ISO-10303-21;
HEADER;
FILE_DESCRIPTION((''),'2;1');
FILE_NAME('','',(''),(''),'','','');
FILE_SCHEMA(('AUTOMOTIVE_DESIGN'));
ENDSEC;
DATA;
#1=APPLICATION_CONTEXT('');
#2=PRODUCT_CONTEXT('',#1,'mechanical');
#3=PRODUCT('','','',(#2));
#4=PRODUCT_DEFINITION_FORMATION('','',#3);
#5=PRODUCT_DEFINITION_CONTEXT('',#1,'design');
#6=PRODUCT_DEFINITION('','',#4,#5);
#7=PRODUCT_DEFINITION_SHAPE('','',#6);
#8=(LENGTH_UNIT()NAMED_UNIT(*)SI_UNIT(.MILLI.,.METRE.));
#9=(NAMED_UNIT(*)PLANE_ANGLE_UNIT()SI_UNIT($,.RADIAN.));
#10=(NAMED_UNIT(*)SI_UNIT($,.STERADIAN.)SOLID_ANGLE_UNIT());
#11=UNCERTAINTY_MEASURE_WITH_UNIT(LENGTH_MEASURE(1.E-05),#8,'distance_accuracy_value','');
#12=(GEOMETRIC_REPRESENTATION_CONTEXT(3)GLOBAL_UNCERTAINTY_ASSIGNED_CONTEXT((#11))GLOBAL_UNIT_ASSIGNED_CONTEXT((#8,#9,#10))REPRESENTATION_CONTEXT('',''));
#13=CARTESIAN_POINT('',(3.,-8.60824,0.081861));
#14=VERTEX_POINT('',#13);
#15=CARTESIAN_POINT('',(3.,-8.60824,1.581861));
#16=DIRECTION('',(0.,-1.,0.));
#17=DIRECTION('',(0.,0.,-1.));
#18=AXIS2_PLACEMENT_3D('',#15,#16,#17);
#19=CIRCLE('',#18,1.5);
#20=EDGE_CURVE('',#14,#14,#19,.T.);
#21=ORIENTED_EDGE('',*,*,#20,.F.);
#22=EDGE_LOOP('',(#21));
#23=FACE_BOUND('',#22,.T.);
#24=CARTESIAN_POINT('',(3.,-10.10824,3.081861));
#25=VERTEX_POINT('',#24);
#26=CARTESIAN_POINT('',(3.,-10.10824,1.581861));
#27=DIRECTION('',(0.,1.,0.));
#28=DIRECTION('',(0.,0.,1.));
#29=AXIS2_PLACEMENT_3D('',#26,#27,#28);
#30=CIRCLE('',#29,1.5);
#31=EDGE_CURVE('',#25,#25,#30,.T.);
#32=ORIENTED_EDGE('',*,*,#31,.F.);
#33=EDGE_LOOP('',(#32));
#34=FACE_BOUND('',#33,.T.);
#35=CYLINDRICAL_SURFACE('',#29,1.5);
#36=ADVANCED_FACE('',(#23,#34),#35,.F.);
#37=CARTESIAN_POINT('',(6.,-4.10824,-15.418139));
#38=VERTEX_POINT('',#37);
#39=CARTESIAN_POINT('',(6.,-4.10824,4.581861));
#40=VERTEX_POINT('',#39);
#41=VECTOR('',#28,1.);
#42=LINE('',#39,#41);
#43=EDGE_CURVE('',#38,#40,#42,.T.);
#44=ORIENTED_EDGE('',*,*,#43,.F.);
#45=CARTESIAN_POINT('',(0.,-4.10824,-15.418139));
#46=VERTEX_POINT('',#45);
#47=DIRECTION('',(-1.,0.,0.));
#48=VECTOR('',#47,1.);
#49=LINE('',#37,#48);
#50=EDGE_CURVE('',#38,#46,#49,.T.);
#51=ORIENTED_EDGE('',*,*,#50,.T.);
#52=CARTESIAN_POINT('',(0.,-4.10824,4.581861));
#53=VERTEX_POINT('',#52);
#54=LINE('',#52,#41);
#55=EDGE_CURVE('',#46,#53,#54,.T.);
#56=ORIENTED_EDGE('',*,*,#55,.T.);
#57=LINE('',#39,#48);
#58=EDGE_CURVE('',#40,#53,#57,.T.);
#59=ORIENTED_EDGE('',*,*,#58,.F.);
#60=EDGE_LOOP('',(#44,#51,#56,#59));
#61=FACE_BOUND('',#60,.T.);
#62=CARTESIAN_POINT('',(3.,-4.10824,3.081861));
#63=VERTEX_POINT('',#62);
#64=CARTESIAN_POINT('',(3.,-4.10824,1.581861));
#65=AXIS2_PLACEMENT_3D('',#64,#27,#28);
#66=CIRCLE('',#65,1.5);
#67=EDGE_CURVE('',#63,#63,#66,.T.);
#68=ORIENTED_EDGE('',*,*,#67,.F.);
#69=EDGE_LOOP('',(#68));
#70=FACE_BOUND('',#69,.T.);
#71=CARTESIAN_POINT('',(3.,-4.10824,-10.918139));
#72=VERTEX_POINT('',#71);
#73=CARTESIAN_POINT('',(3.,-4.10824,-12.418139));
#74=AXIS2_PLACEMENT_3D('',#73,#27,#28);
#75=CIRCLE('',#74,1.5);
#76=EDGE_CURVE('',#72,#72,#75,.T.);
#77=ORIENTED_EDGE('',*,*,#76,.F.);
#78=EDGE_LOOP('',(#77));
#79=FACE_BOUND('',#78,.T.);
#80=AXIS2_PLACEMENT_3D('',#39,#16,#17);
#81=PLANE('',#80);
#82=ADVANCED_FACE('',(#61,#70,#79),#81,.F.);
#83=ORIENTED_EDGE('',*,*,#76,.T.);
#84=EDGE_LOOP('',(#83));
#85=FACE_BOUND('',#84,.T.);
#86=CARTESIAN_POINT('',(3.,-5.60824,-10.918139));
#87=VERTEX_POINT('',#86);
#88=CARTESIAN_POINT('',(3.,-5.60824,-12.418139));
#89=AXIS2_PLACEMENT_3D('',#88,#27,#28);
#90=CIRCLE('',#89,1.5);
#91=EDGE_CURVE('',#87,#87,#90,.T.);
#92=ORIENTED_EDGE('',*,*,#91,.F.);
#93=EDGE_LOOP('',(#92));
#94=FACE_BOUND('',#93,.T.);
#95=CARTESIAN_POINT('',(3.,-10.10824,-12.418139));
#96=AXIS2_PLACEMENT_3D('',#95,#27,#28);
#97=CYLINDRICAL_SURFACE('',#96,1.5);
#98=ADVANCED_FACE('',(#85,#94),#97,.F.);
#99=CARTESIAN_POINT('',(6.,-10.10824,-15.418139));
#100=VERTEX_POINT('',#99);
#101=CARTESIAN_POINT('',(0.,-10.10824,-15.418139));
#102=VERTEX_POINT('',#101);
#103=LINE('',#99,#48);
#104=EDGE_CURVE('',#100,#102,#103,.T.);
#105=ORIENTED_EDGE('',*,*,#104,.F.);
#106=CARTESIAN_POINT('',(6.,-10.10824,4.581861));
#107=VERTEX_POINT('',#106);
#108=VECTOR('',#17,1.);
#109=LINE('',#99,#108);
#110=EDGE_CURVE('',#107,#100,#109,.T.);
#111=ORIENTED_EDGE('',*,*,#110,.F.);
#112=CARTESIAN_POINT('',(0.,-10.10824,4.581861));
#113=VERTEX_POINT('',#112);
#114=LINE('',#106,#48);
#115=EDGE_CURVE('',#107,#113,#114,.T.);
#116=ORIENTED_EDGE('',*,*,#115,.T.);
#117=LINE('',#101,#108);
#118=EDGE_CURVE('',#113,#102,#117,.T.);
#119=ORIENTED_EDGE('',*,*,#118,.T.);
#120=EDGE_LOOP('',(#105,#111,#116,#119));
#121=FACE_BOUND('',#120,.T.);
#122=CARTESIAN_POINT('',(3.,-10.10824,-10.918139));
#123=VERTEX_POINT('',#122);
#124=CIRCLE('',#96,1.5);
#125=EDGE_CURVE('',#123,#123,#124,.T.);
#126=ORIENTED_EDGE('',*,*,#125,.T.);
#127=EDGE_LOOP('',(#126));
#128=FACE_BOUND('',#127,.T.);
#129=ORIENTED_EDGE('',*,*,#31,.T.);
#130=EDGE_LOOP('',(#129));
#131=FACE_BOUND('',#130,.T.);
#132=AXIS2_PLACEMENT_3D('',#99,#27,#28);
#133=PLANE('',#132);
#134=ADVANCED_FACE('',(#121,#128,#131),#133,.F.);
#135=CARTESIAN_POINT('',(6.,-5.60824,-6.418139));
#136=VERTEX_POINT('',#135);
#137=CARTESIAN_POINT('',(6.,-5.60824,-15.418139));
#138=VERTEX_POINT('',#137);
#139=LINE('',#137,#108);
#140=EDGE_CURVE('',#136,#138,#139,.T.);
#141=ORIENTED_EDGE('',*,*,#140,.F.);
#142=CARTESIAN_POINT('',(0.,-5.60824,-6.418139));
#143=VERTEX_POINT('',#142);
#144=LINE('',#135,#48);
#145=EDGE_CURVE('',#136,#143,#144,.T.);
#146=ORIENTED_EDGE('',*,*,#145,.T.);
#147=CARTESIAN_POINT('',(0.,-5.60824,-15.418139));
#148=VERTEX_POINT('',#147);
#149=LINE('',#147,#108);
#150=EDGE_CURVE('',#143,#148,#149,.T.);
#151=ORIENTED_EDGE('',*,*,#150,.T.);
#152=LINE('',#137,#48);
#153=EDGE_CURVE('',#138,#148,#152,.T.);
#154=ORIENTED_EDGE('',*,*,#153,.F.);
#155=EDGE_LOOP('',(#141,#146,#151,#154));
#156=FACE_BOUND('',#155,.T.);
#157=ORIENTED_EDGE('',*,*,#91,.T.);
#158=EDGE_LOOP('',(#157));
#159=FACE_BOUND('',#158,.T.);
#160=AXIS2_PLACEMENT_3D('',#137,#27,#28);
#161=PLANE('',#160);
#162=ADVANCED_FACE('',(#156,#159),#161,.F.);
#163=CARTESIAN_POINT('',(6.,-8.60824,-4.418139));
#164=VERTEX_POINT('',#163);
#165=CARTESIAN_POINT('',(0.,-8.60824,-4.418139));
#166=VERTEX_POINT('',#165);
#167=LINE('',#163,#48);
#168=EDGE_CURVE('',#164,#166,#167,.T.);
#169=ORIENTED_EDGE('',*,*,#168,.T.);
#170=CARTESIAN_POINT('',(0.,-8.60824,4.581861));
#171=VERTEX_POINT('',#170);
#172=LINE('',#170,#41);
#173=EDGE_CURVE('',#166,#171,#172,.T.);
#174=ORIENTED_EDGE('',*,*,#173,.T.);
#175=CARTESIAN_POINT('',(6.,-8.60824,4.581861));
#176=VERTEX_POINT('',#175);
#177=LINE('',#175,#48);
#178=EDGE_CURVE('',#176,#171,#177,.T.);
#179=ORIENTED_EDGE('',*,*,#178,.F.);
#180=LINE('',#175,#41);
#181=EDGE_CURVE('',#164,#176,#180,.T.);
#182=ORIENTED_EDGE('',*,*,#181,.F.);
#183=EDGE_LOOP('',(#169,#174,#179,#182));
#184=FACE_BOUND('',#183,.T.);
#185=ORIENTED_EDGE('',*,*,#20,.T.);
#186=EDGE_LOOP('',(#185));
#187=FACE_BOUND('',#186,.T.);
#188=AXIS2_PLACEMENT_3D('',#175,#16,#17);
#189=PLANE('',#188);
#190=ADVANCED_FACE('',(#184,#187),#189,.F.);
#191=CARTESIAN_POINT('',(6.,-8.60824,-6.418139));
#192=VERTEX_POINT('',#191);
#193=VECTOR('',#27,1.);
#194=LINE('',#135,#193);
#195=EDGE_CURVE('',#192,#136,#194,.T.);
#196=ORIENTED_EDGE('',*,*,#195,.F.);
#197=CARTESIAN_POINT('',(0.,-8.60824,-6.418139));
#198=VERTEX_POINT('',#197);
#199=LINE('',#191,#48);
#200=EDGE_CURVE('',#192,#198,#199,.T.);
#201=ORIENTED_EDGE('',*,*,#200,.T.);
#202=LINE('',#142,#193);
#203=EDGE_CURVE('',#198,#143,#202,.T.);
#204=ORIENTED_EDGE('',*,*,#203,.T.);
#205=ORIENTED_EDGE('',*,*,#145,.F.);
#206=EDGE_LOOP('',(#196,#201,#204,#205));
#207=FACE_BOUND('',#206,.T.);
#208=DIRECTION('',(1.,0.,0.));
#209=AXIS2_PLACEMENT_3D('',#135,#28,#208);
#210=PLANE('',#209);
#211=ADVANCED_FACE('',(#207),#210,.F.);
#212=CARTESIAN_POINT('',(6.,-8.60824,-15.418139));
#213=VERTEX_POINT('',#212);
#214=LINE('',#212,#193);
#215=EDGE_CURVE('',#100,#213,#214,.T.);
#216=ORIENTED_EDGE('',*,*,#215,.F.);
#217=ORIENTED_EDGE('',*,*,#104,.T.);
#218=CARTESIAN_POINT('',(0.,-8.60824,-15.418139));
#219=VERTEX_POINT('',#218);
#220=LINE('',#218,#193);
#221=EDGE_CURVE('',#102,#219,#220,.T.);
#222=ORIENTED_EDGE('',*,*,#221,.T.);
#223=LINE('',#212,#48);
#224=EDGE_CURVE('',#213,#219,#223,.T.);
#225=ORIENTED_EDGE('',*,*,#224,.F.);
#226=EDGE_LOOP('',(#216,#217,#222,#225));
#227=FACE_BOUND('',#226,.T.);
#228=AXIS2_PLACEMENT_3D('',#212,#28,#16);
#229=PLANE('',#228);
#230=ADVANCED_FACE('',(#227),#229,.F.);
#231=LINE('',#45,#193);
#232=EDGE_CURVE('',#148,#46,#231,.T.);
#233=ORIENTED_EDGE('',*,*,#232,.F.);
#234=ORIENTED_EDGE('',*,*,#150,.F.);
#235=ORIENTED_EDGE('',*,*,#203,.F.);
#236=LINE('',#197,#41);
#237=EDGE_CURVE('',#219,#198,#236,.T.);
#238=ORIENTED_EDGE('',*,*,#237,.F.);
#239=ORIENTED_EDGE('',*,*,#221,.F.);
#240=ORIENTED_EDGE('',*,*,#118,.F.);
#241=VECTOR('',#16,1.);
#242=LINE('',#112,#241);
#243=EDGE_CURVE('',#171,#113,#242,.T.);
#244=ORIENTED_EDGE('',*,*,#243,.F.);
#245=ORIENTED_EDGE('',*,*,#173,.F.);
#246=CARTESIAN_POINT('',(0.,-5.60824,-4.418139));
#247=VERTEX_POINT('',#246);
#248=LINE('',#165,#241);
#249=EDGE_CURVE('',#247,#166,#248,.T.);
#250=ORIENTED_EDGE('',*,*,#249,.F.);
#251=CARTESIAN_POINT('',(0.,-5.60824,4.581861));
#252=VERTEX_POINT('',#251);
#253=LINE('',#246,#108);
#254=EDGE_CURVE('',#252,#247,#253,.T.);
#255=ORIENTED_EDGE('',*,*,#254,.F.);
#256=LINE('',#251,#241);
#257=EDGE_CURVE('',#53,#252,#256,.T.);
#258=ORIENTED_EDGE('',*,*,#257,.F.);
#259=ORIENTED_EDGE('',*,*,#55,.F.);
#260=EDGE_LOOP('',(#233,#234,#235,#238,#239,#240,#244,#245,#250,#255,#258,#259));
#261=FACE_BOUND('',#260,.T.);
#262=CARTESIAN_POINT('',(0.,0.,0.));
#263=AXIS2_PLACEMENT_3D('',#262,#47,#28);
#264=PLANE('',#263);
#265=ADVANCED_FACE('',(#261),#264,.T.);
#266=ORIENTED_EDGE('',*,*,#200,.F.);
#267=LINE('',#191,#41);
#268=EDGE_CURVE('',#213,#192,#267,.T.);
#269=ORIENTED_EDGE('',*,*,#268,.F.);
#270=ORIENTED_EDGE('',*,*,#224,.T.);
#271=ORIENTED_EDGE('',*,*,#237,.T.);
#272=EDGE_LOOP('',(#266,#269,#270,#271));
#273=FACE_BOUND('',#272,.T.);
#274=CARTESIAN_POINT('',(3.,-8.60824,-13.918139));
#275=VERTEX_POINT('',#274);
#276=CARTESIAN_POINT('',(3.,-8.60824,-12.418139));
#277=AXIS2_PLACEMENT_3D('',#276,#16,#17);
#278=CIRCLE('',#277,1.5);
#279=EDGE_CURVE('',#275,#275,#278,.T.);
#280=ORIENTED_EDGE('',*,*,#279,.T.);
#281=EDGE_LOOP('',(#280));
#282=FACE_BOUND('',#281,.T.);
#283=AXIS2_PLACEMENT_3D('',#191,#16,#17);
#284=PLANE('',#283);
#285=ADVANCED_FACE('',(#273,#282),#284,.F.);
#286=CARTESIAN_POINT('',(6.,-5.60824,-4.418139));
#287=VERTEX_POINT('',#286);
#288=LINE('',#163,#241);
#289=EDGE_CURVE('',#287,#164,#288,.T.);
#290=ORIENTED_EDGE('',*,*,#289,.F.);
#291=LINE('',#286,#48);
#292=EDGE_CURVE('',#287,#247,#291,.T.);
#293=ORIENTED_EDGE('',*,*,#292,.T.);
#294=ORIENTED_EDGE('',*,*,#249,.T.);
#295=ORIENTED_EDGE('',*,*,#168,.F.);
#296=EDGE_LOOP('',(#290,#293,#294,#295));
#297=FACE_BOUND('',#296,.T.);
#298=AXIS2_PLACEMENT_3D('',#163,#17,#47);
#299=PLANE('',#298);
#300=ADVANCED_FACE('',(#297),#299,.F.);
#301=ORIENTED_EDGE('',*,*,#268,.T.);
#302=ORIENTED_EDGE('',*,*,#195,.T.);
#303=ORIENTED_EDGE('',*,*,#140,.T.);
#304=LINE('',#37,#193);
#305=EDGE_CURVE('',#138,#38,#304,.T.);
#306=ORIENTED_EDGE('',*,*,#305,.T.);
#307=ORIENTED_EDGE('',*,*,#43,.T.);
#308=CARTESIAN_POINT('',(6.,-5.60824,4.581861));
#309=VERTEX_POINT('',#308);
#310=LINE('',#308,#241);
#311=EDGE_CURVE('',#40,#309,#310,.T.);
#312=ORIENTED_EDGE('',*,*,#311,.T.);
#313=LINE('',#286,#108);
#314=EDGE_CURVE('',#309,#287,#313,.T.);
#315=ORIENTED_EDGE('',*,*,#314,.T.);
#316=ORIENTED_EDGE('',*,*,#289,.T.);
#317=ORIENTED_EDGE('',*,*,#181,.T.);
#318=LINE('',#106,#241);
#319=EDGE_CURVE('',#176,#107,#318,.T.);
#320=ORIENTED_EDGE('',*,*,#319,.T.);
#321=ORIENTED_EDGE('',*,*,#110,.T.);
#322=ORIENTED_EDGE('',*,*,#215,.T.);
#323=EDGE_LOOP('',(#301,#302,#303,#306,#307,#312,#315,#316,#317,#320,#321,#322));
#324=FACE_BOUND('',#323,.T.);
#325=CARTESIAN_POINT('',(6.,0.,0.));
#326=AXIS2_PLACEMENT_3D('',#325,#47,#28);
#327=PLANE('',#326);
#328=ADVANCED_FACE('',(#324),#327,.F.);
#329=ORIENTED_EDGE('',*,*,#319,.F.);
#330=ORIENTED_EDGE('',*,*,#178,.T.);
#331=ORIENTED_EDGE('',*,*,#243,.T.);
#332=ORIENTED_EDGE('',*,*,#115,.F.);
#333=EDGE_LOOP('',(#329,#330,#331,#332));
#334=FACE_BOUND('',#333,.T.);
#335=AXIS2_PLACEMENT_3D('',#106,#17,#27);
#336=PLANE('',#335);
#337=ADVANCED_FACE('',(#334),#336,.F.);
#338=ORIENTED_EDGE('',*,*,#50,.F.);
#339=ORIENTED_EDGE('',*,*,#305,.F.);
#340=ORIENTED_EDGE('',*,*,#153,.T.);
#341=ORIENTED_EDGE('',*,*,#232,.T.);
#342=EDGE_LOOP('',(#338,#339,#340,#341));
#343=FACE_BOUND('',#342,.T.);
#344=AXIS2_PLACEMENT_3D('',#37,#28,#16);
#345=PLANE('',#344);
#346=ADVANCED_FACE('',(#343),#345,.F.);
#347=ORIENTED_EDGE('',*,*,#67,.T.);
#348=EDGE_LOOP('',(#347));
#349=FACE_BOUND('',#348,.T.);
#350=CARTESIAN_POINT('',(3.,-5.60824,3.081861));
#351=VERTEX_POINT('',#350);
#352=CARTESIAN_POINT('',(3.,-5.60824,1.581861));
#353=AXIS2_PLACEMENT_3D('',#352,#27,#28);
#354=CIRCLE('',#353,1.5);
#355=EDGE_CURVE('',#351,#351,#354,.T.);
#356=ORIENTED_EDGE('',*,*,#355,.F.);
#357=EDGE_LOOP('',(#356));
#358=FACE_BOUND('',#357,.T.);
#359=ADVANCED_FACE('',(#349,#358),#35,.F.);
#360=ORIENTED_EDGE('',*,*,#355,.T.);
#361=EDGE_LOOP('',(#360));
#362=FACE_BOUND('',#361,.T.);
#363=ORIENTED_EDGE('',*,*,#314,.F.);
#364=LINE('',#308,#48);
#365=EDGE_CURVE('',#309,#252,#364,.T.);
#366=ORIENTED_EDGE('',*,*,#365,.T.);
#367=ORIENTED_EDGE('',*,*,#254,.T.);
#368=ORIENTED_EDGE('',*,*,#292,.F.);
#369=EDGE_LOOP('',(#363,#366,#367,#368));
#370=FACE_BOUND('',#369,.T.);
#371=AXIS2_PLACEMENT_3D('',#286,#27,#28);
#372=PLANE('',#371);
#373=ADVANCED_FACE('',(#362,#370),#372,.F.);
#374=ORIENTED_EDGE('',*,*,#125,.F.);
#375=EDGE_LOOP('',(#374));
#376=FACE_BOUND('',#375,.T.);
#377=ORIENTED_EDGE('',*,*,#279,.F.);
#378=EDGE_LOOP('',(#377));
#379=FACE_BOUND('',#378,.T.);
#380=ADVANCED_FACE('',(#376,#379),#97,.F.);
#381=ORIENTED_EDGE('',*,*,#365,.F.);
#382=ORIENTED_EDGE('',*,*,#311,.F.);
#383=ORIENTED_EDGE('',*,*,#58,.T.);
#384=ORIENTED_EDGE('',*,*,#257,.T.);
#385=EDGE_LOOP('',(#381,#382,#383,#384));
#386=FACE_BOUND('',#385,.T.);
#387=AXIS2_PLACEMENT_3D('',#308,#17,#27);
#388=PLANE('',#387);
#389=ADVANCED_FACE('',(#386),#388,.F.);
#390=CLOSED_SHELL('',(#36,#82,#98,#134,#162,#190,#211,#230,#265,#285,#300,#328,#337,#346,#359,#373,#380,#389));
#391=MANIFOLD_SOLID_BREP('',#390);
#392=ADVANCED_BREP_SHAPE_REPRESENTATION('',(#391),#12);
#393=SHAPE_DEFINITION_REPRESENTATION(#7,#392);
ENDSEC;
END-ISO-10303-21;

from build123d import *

# Parameters (mm, degrees)
BOSS_EXTRUDE1_DEPTH = 6
SKETCH2_R           = 1.5
CUT_EXTRUDE1_DEPTH  = 7


with BuildPart() as part:
    # Sketch1 → Boss-Extrude1 (new body)
    with BuildSketch(Plane(origin=(0, 0, 0), x_dir=(0, 0, -1), z_dir=(1, 0, 0))):
        Polygon((-4.581861398, -8.60824031), (4.418138602, -8.60824031), (4.418138602, -5.60824031), (-4.581861398, -5.60824031), (-4.581861398, -4.10824031), (15.418138602, -4.10824031), (15.418138602, -5.60824031), (6.418138602, -5.60824031), (6.418138602, -8.60824031), (15.418138602, -8.60824031), (15.418138602, -10.10824031), (-4.581861398, -10.10824031), align=None)
    extrude(amount=BOSS_EXTRUDE1_DEPTH)

    # Sketch2 → Cut-Extrude1 (cut, through all)
    with BuildSketch(Plane(origin=(0, -4.10824031, 0), x_dir=(1, 0, 0), z_dir=(0, 1, 0))):
        with Locations((3, -1.581861398)):
            Circle(SKETCH2_R)
        with Locations((3, 12.418138602)):
            Circle(SKETCH2_R)
    extrude(amount=-CUT_EXTRUDE1_DEPTH, mode=Mode.SUBTRACT)


solid = part.part
